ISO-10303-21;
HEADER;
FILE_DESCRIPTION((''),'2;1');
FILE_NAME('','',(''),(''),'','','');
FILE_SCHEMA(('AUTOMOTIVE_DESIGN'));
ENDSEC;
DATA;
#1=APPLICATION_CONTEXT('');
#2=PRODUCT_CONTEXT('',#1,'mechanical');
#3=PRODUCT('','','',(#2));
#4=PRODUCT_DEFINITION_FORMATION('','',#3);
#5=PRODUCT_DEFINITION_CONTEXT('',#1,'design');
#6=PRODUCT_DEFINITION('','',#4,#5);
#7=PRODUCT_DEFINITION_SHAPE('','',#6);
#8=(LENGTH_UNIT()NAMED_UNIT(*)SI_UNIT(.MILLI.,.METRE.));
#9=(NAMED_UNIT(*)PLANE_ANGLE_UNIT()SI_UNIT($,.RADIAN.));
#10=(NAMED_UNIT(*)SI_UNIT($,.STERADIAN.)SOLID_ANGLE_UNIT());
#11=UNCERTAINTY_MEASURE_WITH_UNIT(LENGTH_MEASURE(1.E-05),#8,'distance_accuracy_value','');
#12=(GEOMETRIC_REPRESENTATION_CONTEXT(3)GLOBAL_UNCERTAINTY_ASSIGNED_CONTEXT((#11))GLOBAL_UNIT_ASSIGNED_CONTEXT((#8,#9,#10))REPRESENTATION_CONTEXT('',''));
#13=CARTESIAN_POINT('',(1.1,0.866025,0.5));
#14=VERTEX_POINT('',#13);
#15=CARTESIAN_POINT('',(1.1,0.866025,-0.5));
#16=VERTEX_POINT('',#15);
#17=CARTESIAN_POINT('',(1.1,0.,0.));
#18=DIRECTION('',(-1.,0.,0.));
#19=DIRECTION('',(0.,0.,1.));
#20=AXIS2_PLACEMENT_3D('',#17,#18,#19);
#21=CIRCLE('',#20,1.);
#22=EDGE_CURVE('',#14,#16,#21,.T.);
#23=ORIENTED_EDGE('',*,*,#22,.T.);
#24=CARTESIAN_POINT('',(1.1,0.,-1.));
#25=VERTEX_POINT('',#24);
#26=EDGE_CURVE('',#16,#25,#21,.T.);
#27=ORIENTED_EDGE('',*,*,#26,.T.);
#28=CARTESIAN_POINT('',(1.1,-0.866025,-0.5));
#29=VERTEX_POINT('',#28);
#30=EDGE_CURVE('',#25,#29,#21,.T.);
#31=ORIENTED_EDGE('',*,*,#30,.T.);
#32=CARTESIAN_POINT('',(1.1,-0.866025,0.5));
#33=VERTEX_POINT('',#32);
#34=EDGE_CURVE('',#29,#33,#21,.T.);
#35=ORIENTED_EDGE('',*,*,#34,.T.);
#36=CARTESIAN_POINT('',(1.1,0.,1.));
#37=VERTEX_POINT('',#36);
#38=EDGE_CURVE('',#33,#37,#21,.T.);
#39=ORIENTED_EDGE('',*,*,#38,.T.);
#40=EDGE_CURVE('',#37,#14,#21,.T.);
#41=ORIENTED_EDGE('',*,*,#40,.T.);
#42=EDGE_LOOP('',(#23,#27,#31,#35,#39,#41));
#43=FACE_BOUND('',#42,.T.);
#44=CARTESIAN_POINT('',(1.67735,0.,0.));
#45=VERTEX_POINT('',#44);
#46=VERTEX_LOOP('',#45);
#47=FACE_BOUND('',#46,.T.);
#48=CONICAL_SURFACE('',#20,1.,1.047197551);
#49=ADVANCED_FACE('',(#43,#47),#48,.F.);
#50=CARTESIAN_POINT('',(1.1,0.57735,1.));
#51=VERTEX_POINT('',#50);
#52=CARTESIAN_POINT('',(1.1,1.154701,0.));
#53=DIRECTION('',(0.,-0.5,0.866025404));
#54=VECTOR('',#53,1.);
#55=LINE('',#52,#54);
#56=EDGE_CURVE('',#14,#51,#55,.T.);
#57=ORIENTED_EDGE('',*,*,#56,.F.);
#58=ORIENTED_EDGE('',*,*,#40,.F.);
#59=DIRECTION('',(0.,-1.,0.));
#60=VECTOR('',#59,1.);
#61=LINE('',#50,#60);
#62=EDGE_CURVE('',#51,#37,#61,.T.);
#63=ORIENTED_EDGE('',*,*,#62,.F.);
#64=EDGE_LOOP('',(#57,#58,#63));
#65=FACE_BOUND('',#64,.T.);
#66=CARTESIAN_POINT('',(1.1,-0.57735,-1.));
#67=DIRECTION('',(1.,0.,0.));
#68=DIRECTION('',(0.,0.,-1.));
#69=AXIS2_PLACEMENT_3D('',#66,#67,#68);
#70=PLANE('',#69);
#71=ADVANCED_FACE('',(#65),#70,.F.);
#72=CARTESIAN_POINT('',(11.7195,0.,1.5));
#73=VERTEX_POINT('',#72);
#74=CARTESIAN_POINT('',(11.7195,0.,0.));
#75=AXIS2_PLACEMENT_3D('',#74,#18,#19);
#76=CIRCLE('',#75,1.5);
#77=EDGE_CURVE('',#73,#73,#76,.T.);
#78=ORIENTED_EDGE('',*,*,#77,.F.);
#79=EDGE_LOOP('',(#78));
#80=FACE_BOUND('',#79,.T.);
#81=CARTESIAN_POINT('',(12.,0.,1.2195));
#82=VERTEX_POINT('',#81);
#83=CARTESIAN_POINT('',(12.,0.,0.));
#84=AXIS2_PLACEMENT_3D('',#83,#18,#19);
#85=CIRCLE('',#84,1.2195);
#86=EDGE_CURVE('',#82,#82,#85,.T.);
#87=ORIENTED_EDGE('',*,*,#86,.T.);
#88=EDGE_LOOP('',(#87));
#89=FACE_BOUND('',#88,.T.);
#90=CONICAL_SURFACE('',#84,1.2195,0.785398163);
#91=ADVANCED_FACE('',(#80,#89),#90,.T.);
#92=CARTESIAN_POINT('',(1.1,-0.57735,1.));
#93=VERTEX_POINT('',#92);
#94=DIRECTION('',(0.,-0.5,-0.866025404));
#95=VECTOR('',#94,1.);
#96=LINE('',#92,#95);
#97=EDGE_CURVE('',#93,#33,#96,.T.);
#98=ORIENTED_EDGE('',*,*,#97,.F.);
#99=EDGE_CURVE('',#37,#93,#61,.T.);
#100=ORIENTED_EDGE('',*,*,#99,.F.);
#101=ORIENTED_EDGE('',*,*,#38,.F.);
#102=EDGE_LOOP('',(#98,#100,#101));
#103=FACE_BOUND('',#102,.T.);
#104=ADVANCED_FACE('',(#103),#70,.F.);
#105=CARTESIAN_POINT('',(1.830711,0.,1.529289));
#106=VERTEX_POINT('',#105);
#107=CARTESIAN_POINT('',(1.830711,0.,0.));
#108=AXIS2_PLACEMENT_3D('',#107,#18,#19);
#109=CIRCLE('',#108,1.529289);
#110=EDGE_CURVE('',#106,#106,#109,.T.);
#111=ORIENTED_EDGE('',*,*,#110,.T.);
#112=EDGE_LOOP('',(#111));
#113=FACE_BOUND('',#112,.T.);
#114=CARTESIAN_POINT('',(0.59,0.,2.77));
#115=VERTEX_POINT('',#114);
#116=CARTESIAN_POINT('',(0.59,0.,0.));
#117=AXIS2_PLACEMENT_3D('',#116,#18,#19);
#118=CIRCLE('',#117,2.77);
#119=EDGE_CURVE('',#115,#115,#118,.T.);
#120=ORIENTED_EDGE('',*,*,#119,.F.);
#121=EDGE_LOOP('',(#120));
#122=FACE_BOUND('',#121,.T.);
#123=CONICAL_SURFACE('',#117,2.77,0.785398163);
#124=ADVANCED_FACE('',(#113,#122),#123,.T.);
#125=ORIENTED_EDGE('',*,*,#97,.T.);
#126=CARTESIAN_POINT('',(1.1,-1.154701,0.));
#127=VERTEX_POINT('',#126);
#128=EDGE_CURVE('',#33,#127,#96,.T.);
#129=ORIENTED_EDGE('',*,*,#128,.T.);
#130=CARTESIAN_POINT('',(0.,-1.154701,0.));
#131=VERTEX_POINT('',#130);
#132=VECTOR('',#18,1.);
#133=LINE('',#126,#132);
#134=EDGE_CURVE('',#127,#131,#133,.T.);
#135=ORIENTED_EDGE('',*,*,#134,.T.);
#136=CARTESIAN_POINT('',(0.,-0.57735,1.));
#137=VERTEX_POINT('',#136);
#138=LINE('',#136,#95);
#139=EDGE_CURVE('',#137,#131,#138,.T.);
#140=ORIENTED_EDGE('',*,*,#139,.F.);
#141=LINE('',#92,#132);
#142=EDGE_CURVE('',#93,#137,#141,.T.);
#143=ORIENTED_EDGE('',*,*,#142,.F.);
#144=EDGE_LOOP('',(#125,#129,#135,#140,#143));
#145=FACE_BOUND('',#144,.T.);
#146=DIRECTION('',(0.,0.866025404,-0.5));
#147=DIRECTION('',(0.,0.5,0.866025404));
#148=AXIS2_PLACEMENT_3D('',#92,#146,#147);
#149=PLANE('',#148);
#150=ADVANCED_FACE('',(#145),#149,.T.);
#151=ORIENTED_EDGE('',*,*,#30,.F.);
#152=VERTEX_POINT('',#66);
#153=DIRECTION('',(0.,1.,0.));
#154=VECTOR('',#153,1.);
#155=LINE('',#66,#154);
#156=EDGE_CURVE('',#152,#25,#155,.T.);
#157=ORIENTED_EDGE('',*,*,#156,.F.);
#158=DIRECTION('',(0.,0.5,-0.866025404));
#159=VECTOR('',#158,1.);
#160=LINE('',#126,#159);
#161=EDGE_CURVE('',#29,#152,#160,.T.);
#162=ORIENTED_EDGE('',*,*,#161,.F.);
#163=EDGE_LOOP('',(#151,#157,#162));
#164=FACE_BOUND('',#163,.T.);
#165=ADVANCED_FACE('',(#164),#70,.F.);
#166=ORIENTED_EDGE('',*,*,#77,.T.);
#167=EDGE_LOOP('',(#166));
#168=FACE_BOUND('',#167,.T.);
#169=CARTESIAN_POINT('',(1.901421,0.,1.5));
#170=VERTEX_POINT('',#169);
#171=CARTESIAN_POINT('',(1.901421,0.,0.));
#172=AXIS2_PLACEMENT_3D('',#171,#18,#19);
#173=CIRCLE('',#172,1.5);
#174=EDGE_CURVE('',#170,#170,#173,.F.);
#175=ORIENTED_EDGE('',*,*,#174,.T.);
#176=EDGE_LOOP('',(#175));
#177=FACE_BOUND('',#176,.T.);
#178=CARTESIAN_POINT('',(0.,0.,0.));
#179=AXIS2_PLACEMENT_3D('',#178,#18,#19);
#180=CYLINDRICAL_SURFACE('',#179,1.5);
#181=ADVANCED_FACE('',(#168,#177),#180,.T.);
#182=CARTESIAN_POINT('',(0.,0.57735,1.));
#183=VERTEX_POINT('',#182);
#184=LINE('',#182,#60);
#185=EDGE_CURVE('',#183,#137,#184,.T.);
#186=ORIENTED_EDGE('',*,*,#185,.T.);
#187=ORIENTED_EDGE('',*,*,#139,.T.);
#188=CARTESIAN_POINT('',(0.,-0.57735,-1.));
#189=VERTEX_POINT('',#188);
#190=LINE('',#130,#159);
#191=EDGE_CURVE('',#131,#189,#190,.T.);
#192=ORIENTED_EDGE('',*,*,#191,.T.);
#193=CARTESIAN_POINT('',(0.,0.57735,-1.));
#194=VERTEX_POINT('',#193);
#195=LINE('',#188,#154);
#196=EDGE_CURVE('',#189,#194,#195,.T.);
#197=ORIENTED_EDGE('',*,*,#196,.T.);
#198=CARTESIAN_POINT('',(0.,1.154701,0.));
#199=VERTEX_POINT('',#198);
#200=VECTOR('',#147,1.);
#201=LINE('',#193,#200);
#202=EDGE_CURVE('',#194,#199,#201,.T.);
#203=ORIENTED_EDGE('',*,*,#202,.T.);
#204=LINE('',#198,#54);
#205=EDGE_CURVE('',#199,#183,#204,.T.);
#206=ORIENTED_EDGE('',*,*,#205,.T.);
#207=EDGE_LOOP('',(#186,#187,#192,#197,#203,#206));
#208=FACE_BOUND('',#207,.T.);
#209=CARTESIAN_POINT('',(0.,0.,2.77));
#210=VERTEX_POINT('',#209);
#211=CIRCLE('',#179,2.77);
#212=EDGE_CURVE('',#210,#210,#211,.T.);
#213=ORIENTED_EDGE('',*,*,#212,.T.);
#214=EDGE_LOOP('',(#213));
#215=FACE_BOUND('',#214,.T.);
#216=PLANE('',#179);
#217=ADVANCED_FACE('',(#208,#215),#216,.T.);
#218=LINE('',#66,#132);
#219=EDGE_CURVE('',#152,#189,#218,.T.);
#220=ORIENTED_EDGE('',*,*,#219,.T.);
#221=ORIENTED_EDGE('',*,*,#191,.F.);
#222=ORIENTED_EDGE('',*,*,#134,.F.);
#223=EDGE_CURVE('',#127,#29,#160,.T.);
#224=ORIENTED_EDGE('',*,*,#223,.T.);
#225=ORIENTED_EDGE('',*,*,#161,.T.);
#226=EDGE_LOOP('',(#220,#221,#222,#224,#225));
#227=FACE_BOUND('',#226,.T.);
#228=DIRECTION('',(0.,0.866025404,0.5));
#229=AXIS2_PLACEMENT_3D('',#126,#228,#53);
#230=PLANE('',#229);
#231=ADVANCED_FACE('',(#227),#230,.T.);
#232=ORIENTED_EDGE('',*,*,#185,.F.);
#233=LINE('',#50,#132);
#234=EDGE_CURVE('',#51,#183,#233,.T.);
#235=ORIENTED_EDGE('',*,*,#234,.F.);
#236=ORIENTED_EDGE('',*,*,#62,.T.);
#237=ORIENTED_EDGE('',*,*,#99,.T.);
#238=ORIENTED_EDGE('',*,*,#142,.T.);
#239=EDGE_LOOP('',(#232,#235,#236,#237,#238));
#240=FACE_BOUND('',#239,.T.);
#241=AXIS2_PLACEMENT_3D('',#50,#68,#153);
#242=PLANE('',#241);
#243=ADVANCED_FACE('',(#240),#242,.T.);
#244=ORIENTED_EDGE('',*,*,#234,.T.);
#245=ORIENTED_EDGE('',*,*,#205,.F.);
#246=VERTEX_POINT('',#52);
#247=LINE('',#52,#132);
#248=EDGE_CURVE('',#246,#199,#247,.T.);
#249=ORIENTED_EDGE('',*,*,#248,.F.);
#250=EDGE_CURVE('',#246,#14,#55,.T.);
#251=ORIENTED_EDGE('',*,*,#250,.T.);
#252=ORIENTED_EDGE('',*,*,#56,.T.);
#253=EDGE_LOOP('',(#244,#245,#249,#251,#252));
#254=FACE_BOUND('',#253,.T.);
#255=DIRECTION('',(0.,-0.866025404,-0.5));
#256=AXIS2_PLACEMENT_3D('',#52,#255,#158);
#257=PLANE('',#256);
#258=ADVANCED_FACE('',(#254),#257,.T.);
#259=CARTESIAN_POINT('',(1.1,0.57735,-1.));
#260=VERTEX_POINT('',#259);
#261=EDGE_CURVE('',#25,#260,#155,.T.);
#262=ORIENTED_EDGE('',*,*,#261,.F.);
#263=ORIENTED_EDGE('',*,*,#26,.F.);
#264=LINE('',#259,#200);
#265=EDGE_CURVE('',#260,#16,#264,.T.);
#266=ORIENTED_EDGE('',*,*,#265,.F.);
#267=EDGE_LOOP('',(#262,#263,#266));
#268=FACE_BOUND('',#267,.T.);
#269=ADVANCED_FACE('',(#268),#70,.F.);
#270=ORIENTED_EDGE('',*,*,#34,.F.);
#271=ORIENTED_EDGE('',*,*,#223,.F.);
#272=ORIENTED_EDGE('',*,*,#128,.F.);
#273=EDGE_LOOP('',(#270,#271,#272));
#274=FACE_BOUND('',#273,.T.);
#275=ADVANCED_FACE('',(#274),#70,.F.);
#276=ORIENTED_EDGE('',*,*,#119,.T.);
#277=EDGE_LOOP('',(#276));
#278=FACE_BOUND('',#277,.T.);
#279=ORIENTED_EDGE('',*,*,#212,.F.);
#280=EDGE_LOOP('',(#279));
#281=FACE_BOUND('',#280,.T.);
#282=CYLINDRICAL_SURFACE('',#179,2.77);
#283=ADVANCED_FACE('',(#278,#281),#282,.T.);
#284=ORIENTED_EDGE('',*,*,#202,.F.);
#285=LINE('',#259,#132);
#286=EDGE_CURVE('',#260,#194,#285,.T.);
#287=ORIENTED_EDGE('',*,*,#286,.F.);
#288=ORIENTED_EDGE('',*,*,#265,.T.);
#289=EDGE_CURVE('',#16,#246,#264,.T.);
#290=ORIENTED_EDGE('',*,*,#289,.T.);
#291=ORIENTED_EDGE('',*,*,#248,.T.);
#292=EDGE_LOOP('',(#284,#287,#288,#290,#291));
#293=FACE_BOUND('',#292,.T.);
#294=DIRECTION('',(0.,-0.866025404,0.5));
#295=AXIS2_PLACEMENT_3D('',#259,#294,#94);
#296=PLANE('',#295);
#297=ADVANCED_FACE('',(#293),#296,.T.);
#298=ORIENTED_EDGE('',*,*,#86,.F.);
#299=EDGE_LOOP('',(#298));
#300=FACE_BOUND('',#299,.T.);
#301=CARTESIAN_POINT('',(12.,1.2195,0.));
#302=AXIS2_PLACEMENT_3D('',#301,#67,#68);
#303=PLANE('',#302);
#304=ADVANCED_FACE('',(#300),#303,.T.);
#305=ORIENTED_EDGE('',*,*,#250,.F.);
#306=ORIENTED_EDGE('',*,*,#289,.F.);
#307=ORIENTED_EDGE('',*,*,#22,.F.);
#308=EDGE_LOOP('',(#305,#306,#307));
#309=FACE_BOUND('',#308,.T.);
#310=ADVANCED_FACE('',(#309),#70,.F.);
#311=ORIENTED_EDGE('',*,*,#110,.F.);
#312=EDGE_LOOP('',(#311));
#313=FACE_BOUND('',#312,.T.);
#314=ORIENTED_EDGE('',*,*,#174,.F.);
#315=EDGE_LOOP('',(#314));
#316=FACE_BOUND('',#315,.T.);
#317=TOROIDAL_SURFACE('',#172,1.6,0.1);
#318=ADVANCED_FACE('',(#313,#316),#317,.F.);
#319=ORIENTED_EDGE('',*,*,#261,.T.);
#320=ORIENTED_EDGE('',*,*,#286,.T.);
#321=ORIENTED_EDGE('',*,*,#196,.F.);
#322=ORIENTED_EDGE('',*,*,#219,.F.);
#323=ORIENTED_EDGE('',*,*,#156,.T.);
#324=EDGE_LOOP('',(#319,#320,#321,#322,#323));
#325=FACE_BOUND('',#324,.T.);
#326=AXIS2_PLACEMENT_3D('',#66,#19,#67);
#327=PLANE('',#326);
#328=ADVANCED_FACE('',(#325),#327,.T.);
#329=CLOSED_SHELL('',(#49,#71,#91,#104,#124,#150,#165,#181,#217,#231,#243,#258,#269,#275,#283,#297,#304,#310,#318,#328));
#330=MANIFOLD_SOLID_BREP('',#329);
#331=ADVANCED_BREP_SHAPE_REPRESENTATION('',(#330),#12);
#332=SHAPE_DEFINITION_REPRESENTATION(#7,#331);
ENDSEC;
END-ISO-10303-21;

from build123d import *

# Parameters (mm, degrees)
FILLET1_R   = 0.1
HEX_2_DEPTH = 1.1


with BuildPart() as part:
    # BodySke → BaseBody (revolve)
    with BuildSketch(Plane.XY, mode=Mode.PRIVATE) as basebody_sk:
        Polygon((0, 0), (0, 2.77), (0.59, 2.77), (1.86, 1.5), (11.7195, 1.5), (12, 1.2195), (12, 0), align=None)
    revolve(basebody_sk.sketch.rotate(Axis((0, 0, 0), (1, 0, 0)), 90), axis=Axis((0, 0, 0), (1, 0, 0)))

    # Fillet1
    fillet1_edges = [part.edges().sort_by_distance(p)[0] for p in [
        (1.86, 0, -1.5),
    ]]
    fillet(fillet1_edges, radius=FILLET1_R)

    # Sketch2 → PreBroach (revolve, cut)
    with BuildSketch(Plane.XY, mode=Mode.PRIVATE) as prebroach_sk:
        Polygon((0, 1), (1.1, 1), (1.677350269, 0), (0, 0), align=None)
    revolve(prebroach_sk.sketch.rotate(Axis((0, 0, 0), (1, 0, 0)), 90), axis=Axis((0, 0, 0), (1, 0, 0)), mode=Mode.SUBTRACT)

    # Sketch3 → Hex 2 (cut)
    with BuildSketch(Plane.ZY):
        Polygon((-1, -0.577350269), (-1, 0.577350269), (0, 1.154700538), (1, 0.577350269), (1, -0.577350269), (0, -1.154700538), align=None)
    extrude(amount=-HEX_2_DEPTH, mode=Mode.SUBTRACT)


solid = part.part
